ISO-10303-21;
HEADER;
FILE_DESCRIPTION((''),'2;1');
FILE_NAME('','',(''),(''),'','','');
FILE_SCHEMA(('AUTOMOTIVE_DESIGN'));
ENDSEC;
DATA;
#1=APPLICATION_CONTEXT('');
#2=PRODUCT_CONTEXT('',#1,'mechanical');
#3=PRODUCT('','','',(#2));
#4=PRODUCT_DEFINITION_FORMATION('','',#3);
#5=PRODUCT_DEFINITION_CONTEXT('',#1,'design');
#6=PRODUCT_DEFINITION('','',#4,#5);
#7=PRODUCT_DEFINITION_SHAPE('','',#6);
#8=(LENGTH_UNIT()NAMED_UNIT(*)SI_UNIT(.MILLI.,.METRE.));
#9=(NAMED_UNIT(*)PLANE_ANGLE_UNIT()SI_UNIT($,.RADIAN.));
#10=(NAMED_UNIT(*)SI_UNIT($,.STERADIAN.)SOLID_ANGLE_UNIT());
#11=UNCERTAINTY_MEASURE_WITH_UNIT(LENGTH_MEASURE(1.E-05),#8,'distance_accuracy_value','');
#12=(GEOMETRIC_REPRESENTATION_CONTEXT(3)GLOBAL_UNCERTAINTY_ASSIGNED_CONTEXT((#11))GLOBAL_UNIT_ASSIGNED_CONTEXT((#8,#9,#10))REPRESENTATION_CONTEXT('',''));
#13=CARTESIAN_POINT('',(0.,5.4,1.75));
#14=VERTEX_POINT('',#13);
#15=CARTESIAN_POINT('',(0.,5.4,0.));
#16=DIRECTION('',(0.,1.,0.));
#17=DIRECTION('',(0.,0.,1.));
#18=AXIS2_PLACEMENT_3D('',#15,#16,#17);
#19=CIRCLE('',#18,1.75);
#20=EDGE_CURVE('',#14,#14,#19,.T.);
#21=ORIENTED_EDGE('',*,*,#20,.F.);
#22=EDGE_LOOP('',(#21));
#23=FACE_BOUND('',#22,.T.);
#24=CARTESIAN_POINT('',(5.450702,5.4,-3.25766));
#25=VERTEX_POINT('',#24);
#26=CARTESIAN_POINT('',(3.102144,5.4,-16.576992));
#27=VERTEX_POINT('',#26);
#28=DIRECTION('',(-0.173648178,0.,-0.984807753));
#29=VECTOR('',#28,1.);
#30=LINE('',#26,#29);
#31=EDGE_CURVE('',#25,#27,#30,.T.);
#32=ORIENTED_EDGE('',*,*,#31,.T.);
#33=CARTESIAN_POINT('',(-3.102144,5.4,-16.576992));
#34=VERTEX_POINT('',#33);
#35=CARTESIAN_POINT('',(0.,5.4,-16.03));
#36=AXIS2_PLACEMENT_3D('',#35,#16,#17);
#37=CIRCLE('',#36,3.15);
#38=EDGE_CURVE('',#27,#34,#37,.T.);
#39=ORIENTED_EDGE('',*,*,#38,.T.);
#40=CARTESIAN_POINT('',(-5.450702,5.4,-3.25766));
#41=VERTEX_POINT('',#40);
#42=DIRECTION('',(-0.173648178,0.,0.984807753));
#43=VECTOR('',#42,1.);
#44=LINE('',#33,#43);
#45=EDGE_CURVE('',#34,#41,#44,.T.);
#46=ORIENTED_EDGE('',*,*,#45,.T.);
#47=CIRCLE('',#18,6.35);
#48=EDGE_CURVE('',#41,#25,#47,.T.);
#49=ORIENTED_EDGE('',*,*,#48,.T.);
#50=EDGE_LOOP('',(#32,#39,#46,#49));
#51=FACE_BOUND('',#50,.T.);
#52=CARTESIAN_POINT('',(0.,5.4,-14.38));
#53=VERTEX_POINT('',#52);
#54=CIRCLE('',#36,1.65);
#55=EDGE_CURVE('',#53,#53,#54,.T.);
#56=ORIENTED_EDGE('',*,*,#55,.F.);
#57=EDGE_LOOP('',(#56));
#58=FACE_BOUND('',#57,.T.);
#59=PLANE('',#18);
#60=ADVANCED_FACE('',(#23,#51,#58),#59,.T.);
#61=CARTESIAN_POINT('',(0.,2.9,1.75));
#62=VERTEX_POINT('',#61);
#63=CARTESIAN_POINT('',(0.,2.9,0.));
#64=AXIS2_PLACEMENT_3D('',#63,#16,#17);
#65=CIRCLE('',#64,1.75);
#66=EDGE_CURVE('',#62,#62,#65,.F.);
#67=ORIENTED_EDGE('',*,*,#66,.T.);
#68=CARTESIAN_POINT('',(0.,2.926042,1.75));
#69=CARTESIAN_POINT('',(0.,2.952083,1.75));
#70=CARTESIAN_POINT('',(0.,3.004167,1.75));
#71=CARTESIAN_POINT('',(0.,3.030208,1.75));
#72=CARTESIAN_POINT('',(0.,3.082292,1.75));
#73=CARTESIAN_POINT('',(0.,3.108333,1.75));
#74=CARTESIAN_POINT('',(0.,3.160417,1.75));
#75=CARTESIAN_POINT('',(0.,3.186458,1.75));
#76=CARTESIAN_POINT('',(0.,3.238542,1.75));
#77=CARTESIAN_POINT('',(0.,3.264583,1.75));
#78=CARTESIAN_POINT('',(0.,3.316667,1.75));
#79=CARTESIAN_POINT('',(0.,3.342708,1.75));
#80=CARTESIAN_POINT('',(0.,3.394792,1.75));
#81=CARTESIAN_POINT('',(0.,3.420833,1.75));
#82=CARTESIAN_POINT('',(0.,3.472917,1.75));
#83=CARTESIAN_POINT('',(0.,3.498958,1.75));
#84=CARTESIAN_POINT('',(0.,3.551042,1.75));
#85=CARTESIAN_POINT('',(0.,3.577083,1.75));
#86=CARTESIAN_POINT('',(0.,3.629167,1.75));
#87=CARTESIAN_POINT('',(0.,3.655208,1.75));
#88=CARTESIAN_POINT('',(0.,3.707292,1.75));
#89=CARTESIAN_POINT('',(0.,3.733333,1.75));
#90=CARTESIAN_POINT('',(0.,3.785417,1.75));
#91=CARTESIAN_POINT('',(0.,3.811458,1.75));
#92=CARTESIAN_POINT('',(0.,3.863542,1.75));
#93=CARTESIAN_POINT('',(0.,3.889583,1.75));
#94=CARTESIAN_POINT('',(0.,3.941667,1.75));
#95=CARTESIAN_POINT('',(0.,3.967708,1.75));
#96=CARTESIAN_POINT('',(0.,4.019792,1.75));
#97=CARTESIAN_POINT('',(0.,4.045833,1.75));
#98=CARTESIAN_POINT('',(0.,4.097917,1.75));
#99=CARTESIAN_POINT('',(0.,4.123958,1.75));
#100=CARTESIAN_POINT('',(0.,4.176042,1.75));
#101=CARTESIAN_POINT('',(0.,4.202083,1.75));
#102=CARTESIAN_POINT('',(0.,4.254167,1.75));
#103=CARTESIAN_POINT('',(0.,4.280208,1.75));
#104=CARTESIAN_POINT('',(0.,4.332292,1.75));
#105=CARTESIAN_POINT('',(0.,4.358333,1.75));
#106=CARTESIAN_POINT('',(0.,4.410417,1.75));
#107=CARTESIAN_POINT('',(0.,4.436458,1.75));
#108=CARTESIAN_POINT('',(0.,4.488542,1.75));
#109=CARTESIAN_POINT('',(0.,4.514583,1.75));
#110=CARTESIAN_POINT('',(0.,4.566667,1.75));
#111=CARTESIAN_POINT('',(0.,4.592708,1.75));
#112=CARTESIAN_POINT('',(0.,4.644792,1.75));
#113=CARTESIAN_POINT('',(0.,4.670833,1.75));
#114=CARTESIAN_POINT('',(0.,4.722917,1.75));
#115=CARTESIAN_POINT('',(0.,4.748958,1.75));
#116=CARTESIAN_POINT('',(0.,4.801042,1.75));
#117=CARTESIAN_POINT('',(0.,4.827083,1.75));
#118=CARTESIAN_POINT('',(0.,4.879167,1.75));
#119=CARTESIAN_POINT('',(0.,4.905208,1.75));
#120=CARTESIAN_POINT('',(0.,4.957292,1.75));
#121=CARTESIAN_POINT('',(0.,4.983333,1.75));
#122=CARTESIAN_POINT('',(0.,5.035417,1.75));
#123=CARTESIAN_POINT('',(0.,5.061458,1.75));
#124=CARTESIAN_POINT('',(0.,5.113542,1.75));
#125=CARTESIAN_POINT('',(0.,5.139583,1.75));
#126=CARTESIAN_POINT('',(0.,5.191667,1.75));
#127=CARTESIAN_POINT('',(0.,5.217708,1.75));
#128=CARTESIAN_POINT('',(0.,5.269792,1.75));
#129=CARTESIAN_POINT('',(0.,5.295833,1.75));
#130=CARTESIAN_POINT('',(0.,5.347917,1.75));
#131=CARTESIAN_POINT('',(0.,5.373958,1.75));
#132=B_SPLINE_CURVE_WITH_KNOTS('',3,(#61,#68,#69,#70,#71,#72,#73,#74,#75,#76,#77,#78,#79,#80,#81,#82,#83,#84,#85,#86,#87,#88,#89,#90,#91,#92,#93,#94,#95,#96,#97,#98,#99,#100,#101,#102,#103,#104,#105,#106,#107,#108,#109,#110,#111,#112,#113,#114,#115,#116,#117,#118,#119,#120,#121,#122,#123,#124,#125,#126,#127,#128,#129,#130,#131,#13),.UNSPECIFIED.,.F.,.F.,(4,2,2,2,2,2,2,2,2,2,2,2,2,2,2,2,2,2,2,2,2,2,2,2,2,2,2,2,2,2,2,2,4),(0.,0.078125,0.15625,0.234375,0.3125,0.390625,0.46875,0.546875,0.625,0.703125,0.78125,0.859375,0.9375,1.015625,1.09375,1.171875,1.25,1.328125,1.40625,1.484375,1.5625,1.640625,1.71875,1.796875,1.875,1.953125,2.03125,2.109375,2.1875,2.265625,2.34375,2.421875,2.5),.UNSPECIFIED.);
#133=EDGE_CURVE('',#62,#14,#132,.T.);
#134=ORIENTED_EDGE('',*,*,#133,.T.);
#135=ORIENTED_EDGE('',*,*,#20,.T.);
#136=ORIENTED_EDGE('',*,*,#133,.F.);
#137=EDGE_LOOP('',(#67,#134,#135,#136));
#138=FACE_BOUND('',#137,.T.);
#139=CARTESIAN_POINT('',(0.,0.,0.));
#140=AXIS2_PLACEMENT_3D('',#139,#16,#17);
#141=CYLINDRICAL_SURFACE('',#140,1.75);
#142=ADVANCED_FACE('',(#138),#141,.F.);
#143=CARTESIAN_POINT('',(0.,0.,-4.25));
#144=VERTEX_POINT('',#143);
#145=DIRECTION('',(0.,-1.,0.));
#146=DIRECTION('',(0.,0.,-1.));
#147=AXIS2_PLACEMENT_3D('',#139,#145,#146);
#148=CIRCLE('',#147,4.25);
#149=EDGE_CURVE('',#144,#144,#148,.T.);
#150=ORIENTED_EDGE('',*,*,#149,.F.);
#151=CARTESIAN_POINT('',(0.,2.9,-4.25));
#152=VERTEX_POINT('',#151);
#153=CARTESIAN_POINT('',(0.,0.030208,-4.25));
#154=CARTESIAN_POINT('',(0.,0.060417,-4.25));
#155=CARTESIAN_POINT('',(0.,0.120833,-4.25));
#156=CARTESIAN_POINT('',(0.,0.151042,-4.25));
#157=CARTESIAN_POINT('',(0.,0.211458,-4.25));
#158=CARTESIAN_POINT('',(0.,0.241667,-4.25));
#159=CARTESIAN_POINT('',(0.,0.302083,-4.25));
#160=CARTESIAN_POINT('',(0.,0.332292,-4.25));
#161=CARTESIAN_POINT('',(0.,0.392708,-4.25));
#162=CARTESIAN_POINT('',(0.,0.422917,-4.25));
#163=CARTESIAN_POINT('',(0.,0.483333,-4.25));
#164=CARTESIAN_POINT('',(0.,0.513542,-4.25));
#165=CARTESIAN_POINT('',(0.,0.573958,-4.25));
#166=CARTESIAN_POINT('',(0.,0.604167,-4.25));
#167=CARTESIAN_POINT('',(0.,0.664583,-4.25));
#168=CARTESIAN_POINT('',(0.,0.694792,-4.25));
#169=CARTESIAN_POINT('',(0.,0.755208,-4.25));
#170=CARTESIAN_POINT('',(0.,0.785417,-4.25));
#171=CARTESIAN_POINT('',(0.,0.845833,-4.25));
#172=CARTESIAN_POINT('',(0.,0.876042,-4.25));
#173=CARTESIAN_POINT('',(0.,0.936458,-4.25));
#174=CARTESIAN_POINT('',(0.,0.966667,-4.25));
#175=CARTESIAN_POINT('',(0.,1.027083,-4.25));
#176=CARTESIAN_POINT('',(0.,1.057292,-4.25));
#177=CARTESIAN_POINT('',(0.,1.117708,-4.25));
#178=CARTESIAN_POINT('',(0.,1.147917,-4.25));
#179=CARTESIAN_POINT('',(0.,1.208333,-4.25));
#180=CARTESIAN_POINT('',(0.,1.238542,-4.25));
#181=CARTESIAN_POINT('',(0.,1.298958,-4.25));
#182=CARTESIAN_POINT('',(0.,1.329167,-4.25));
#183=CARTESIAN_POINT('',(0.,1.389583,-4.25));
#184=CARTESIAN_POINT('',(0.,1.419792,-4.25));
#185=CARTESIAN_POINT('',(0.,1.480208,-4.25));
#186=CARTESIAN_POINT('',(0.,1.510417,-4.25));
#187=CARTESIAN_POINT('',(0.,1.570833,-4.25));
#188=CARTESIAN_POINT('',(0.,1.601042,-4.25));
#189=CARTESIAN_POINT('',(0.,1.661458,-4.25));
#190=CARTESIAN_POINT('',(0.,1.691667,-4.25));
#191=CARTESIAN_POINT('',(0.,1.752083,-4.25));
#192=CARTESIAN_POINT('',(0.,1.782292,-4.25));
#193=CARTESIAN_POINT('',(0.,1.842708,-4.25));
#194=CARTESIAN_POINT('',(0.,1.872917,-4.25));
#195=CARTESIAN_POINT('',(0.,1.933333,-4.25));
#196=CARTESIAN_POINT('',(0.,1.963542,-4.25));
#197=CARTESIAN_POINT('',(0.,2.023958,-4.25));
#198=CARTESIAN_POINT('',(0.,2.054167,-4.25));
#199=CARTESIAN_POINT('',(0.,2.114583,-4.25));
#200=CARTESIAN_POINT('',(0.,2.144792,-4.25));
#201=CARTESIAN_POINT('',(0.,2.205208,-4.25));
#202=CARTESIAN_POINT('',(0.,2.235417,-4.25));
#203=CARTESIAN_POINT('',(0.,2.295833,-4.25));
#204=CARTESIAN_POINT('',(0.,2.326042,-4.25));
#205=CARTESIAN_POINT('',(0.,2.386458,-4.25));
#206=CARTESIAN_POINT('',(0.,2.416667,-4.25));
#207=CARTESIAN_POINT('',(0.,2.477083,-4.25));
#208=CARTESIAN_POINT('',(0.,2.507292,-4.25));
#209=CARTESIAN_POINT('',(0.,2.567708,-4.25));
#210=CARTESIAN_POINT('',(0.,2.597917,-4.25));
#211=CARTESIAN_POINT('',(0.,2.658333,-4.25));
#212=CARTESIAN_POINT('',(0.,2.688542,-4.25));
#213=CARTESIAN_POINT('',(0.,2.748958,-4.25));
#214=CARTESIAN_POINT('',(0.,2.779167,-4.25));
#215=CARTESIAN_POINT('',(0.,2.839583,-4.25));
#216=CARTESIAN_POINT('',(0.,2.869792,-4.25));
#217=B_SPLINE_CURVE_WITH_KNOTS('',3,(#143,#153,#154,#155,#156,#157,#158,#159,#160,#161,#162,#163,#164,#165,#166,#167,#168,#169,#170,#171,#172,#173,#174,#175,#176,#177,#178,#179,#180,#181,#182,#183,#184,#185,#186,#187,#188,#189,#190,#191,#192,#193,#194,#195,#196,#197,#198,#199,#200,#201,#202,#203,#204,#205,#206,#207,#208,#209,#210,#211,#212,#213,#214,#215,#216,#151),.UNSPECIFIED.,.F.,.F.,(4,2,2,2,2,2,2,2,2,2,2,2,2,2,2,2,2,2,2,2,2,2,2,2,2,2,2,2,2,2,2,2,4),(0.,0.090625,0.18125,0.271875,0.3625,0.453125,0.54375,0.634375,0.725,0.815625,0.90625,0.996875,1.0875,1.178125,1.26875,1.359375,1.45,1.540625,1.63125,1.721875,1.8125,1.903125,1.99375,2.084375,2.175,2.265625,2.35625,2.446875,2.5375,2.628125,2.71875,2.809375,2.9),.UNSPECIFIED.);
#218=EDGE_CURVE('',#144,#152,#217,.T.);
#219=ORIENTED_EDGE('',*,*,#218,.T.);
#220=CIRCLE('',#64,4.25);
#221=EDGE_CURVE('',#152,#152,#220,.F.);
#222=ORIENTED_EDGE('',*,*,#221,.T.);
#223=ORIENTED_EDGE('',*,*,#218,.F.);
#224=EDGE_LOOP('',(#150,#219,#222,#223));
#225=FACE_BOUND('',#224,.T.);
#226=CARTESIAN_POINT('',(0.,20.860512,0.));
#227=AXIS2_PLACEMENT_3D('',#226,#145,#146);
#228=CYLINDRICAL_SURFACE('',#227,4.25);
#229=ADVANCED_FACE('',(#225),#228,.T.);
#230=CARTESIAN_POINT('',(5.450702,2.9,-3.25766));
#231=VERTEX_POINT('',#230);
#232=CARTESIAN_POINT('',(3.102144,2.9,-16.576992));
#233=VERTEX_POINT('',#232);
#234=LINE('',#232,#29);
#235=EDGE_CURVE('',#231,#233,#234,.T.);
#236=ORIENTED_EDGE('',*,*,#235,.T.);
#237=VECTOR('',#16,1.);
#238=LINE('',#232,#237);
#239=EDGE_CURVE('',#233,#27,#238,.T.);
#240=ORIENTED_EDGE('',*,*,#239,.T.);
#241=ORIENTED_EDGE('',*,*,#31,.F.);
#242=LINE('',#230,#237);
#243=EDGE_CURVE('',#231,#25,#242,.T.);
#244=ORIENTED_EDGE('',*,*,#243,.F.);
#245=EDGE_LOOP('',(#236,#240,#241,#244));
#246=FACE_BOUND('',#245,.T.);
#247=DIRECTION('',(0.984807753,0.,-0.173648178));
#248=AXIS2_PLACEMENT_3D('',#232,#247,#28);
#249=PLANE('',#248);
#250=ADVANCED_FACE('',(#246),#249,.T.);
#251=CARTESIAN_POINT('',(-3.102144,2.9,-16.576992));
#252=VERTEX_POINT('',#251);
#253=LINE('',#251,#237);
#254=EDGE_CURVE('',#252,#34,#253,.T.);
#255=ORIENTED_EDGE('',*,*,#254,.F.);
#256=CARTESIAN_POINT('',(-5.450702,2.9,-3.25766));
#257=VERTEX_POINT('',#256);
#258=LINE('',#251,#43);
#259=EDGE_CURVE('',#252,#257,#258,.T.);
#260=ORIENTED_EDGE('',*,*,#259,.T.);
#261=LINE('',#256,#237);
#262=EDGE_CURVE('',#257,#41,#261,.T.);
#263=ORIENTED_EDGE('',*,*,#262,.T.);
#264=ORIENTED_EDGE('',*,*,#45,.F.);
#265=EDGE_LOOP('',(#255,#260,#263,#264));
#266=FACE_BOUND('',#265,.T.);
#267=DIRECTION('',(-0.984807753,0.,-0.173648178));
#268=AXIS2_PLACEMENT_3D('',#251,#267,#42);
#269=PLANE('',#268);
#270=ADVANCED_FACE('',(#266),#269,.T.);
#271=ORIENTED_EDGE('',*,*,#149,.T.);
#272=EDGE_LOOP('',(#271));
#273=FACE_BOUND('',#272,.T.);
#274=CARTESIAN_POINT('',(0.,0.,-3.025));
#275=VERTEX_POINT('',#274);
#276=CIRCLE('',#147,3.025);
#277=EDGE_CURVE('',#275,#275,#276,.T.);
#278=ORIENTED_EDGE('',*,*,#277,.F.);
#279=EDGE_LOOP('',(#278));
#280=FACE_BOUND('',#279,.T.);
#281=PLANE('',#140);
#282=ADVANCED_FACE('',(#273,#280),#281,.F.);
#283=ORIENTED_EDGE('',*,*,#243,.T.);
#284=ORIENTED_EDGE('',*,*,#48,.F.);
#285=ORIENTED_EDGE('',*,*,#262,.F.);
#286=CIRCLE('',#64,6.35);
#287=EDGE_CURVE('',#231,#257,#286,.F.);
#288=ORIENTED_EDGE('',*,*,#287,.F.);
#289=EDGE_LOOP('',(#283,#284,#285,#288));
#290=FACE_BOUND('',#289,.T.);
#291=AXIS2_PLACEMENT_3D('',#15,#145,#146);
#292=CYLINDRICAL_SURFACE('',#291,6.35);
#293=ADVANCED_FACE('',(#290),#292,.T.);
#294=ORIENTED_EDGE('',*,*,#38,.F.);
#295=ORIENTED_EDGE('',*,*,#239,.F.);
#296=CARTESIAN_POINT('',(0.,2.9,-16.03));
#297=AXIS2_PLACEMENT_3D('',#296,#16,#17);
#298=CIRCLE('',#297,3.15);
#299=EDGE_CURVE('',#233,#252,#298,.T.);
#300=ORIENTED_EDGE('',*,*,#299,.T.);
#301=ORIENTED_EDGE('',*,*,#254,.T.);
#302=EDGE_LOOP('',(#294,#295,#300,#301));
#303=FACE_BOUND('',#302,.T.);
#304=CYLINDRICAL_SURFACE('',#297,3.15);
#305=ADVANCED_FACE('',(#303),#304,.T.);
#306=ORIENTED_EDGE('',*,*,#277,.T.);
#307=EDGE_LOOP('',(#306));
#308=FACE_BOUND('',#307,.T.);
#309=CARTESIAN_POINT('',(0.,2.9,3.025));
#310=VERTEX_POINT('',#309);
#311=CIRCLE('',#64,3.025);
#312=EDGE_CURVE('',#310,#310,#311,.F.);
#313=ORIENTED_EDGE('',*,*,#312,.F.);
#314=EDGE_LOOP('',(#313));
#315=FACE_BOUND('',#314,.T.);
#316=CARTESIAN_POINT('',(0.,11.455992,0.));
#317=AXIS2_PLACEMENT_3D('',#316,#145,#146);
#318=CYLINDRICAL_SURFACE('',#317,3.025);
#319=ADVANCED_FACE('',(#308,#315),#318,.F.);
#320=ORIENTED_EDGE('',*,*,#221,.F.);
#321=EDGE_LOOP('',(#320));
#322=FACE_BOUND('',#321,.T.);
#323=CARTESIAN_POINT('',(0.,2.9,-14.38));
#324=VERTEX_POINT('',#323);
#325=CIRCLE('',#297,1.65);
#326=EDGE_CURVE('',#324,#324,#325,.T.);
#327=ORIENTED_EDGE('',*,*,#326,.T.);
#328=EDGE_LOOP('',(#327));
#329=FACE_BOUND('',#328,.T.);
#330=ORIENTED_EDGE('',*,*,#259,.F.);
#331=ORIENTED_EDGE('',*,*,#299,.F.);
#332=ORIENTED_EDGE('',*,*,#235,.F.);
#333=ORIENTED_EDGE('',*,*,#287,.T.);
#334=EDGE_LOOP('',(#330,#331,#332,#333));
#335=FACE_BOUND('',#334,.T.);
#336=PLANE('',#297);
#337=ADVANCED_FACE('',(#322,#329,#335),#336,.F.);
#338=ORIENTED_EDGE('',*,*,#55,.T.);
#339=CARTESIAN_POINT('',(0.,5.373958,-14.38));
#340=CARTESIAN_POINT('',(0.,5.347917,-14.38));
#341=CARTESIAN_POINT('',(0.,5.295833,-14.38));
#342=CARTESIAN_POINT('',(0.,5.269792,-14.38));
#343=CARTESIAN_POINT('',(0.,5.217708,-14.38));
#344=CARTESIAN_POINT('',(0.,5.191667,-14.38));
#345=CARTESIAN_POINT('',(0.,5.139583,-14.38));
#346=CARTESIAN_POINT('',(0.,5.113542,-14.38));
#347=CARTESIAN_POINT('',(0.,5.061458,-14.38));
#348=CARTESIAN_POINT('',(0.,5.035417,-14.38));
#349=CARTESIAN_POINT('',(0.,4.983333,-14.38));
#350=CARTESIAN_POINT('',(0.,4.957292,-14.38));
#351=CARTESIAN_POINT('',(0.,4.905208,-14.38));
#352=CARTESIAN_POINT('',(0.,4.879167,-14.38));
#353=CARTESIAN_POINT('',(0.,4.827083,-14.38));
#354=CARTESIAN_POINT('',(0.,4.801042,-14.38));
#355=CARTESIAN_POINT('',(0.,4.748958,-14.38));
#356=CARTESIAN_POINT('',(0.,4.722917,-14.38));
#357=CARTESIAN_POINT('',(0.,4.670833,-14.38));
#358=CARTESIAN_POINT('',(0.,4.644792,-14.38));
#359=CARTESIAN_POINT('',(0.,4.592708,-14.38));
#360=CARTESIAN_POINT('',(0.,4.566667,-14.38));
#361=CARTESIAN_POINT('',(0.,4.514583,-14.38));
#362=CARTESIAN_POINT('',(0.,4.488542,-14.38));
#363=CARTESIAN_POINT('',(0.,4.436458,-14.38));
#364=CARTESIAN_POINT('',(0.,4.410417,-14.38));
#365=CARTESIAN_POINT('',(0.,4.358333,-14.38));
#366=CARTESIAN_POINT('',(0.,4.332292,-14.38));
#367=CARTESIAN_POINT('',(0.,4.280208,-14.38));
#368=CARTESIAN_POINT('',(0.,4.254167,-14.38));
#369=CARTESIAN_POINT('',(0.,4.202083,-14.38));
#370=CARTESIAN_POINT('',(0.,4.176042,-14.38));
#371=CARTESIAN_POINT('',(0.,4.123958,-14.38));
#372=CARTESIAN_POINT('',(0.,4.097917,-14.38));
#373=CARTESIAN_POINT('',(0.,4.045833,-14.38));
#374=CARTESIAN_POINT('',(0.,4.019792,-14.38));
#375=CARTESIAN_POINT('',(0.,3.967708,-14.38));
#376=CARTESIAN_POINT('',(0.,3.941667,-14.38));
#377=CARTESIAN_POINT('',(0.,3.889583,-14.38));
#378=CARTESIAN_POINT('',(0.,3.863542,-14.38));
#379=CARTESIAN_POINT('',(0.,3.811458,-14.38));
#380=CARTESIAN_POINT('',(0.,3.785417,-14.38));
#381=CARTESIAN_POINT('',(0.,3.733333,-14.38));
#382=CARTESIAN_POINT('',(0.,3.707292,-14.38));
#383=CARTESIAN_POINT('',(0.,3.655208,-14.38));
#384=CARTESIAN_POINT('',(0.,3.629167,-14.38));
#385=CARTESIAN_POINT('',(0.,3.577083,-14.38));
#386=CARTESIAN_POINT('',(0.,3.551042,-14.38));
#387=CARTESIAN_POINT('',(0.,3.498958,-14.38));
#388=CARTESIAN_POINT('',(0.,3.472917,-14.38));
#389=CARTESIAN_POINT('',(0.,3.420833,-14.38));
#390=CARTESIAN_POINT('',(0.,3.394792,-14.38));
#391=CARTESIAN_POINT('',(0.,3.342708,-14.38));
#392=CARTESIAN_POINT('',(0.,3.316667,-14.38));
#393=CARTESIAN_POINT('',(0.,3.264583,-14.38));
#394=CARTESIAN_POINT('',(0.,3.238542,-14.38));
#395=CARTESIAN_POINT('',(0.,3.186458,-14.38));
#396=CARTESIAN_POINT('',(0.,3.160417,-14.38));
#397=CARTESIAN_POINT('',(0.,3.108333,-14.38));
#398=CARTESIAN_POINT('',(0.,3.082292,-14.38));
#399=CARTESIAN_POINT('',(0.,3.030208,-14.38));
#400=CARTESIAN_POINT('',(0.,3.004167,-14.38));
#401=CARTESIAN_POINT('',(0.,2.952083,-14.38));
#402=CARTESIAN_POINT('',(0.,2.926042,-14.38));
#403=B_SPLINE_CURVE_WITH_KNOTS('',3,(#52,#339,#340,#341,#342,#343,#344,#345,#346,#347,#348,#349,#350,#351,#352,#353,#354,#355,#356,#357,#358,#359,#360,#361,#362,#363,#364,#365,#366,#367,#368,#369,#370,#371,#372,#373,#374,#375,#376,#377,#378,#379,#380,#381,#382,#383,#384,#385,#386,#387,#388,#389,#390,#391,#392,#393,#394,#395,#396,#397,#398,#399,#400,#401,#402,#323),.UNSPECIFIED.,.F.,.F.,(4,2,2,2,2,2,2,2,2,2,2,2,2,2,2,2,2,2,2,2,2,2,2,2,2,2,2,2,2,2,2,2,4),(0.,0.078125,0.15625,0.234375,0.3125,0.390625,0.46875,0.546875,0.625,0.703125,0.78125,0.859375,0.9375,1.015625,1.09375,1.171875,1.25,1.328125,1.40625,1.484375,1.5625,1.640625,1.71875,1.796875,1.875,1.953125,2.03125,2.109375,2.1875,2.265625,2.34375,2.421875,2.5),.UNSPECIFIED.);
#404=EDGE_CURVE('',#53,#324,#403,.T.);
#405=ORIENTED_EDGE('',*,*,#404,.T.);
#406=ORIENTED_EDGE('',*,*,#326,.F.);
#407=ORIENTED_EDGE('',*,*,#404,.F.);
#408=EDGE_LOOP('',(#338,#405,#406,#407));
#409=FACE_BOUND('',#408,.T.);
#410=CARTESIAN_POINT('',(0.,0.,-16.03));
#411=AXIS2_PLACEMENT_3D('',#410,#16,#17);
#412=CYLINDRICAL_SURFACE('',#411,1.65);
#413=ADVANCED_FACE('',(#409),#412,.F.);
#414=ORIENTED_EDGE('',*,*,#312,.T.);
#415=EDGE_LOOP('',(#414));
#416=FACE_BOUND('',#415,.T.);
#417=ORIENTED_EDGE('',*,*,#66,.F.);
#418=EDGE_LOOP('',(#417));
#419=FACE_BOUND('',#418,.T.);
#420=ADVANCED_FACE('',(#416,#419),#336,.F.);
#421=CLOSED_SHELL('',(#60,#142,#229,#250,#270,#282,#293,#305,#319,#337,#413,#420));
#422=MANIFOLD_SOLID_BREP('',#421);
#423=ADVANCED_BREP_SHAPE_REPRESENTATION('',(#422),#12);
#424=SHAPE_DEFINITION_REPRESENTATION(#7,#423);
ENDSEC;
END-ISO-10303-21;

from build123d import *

# Parameters (mm, degrees)
BASES_R             = 6.35
BASE_DEPTH          = 5.4
TOPBORES_R          = 1.75
TOP_BORE_DEPTH      = 11.478788098
HORN_START          = -2.5
HORN_HALF_DEPTH     = 2.5
HORNATTACHS_R       = 1.65
HORN_ATTACH_DEPTH   = 21.913031822
HOLDINGSHAFTS_R     = 6.35
HOLDINGSHAFTS_R_2   = 4.25
HOLDING_SHAFT_DEPTH = 2.9
SKETCH3_R           = 3.025
CUT_EXTRUDE2_DEPTH  = 2.9


with BuildPart() as part:
    # BaseS → BASE (new body)
    with BuildSketch(Plane(origin=(0, 0, 0), x_dir=(1, 0, 0), z_dir=(0, 1, 0))):
        with Locations(Location((0, 0, 0), (0, 0, 90))):
            Circle(BASES_R)
    extrude(amount=BASE_DEPTH)

    # TopBoreS → TOP BORE (cut, through all)
    with BuildSketch(Plane(origin=(0, 5.4, 0), x_dir=(1, 0, 0), z_dir=(0, 1, 0))):
        with Locations(Location((0, 0, 0), (0, 0, 270))):
            Circle(TOPBORES_R)
    extrude(amount=-TOP_BORE_DEPTH, mode=Mode.SUBTRACT)

    # HornHalfS → HORN HALF (add)
    with BuildSketch(Plane(origin=(0, 5.4, 0), x_dir=(1, 0, 0), z_dir=(0, 1, 0)).offset(HORN_START)):
        with BuildLine():
            Line((-3.102144422, 16.57699176), (-5.450702003, 3.257659846))
            ThreePointArc((-5.450702003, 3.257659846), (0, 6.35), (5.450702003, 3.257659846))
            Line((5.450702003, 3.257659846), (3.102144422, 16.57699176))
            ThreePointArc((3.102144422, 16.57699176), (0, 19.18), (-3.102144422, 16.57699176))
        make_face()
    extrude(amount=HORN_HALF_DEPTH)

    # HornAttachS → HORN ATTACH (cut, through all)
    with BuildSketch(Plane(origin=(0, 5.4, 0), x_dir=(1, 0, 0), z_dir=(0, 1, 0))):
        with Locations(Location((0, 16.03, 0), (0, 0, 270))):
            Circle(HORNATTACHS_R)
    extrude(amount=-HORN_ATTACH_DEPTH, mode=Mode.SUBTRACT)

    # HoldingShaftS → HOLDING SHAFT (cut)
    with BuildSketch(Plane.XZ):
        Circle(HOLDINGSHAFTS_R)
        with Locations(Location((0, 0, 0), (0, 0, 270))):
            Circle(HOLDINGSHAFTS_R_2, mode=Mode.SUBTRACT)
    extrude(amount=-HOLDING_SHAFT_DEPTH, mode=Mode.SUBTRACT)

    # Sketch3 → Cut-Extrude2 (cut)
    with BuildSketch(Plane.XZ):
        with Locations(Location((0, 0, 0), (0, 0, 270))):
            Circle(SKETCH3_R)
    extrude(amount=-CUT_EXTRUDE2_DEPTH, mode=Mode.SUBTRACT)


solid = part.part
